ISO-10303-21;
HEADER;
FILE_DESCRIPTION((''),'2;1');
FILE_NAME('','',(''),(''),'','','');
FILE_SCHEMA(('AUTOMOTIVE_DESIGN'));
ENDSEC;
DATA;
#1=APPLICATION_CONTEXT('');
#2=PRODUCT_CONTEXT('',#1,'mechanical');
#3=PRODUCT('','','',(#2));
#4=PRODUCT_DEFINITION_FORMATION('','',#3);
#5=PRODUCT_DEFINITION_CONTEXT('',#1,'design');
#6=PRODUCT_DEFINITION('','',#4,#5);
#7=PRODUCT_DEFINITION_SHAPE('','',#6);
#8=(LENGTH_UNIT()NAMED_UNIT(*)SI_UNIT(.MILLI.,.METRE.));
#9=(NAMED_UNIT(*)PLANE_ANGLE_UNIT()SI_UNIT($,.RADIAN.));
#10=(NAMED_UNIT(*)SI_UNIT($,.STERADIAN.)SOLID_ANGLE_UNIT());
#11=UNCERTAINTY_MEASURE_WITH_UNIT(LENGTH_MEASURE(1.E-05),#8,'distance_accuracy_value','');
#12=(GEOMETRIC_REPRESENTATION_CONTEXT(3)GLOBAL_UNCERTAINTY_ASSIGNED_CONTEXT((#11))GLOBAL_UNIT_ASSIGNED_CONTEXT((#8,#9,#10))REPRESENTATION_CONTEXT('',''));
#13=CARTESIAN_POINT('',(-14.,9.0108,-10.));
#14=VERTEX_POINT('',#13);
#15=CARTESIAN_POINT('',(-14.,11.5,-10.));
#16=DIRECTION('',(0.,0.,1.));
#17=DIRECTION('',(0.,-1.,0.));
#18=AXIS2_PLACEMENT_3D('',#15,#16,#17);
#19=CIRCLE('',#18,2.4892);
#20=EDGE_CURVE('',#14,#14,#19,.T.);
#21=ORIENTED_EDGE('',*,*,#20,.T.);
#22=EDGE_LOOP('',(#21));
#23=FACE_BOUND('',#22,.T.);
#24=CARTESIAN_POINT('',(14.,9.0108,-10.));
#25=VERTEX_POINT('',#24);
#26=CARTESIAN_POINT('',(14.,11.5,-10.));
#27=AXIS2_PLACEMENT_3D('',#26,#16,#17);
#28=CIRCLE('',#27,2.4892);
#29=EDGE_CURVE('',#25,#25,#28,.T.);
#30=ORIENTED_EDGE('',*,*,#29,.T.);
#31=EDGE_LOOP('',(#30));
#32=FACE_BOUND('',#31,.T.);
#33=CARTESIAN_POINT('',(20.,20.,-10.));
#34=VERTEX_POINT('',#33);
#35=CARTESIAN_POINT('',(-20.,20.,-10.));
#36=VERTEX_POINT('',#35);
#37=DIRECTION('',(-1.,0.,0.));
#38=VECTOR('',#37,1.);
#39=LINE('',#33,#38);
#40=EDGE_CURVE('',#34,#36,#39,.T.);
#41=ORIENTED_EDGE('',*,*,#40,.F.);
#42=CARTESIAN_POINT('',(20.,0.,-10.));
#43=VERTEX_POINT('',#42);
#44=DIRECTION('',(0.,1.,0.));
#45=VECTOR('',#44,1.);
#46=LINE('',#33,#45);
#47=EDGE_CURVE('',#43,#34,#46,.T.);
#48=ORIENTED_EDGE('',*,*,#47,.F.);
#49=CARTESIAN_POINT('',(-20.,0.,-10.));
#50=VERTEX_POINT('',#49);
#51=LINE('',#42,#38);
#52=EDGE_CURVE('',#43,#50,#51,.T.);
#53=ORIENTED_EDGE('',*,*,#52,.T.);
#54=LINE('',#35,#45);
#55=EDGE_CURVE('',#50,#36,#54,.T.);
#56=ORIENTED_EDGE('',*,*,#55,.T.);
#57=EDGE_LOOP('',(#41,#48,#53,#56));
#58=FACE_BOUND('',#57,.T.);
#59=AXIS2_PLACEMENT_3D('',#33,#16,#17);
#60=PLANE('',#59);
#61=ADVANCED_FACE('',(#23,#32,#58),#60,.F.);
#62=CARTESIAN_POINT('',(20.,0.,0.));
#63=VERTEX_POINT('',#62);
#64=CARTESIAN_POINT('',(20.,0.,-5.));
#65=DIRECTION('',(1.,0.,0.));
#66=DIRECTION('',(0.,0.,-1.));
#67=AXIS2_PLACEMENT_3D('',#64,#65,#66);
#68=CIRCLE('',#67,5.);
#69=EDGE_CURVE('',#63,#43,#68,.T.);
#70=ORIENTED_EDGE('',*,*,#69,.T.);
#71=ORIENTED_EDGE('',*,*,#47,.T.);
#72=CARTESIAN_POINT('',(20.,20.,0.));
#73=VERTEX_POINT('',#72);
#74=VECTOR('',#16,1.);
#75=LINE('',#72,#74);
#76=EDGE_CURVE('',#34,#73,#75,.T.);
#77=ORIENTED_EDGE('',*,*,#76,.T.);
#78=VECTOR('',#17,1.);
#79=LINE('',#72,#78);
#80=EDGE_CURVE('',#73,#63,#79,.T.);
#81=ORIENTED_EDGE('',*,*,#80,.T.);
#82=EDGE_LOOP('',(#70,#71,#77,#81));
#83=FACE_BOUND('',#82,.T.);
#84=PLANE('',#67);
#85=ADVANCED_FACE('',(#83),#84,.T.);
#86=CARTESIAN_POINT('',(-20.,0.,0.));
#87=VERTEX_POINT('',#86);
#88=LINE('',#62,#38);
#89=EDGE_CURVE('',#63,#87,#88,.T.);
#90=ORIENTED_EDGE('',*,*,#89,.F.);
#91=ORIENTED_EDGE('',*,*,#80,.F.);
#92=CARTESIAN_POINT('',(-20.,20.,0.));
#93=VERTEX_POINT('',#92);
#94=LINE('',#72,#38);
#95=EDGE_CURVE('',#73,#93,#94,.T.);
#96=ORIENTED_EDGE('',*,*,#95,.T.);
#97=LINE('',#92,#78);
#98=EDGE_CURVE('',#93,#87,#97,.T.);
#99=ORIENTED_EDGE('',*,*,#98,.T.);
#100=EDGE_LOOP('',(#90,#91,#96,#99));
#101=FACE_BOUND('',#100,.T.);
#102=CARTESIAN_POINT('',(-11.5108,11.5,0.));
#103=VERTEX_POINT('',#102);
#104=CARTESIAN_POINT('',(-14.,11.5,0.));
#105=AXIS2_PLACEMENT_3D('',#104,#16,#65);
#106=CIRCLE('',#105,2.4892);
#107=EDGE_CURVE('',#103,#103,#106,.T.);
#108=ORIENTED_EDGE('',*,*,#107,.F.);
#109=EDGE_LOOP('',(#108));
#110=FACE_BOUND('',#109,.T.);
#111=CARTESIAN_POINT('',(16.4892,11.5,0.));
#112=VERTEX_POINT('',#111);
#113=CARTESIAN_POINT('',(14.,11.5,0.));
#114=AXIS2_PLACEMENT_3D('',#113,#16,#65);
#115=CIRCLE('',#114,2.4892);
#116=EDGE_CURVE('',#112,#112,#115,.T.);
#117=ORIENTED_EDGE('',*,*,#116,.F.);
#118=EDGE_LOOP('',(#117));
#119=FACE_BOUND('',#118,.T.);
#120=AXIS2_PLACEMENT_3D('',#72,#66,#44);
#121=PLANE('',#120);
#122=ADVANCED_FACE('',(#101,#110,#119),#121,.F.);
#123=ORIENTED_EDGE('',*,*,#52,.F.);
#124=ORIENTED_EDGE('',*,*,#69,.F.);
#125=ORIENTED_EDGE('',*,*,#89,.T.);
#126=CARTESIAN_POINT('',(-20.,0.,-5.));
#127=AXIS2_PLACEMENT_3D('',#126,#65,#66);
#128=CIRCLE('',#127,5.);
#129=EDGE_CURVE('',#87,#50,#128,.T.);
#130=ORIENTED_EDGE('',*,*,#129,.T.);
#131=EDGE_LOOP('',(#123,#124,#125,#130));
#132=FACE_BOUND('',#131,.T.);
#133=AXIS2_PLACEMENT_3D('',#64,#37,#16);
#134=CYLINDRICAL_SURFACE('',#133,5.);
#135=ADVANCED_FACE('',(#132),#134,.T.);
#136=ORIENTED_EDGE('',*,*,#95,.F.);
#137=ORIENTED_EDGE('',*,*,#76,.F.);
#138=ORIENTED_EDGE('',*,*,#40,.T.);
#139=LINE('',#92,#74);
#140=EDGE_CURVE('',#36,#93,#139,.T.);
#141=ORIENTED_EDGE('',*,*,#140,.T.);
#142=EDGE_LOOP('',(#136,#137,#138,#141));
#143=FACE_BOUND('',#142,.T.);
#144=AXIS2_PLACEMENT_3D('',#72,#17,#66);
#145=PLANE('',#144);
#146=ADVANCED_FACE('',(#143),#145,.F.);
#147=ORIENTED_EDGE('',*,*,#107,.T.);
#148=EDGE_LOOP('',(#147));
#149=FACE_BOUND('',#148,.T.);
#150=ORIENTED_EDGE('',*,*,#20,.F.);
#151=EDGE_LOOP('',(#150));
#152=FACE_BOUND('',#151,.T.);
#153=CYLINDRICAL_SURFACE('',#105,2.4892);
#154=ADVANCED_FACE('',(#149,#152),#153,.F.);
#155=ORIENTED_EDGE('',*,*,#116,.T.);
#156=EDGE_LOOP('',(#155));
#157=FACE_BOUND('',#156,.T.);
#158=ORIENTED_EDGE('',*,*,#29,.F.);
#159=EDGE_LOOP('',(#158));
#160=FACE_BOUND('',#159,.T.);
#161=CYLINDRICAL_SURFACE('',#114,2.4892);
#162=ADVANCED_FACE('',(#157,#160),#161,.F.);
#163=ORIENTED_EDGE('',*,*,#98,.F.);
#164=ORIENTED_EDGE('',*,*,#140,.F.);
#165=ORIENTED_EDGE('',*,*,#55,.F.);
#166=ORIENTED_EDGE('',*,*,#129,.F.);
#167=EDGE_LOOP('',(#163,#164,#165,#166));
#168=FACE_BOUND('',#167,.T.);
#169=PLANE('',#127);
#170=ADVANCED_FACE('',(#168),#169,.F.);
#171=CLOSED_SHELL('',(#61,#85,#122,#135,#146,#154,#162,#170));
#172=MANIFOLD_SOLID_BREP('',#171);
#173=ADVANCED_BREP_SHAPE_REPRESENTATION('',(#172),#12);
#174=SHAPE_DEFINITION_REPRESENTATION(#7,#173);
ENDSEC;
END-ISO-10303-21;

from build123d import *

# Parameters (mm, degrees)
BOSS_EXTRUDE1_DEPTH        = 20
F_10_CLEARANCE_HOLE1_D     = 4.9784
F_10_CLEARANCE_HOLE1_DEPTH = 29.83
F_10_CLEARANCE_HOLE1_TIP   = 1.495662253


with BuildPart() as part:
    # Sketch2 → Boss-Extrude1 (new body, symmetric)
    with BuildSketch(Plane(origin=(0, 0, 0), x_dir=(0, 0, -1), z_dir=(1, 0, 0))):
        with BuildLine():
            Line((0, 20), (0, 0))
            ThreePointArc((0, 0), (5, -5), (10, 0))
            Line((10, 0), (10, 20))
            Line((10, 20), (0, 20))
        make_face()
    extrude(amount=BOSS_EXTRUDE1_DEPTH, both=True)

    # #10 Clearance Hole1
    with Locations(Plane.XY):
        with Locations((-14, 11.5), (14, 11.5)):
            Hole(F_10_CLEARANCE_HOLE1_D / 2, depth=F_10_CLEARANCE_HOLE1_DEPTH)
            with Locations((0, 0, -(F_10_CLEARANCE_HOLE1_DEPTH + F_10_CLEARANCE_HOLE1_TIP / 2))):  # 118° drill point
                Cone(0, F_10_CLEARANCE_HOLE1_D / 2, F_10_CLEARANCE_HOLE1_TIP, mode=Mode.SUBTRACT)


solid = part.part
